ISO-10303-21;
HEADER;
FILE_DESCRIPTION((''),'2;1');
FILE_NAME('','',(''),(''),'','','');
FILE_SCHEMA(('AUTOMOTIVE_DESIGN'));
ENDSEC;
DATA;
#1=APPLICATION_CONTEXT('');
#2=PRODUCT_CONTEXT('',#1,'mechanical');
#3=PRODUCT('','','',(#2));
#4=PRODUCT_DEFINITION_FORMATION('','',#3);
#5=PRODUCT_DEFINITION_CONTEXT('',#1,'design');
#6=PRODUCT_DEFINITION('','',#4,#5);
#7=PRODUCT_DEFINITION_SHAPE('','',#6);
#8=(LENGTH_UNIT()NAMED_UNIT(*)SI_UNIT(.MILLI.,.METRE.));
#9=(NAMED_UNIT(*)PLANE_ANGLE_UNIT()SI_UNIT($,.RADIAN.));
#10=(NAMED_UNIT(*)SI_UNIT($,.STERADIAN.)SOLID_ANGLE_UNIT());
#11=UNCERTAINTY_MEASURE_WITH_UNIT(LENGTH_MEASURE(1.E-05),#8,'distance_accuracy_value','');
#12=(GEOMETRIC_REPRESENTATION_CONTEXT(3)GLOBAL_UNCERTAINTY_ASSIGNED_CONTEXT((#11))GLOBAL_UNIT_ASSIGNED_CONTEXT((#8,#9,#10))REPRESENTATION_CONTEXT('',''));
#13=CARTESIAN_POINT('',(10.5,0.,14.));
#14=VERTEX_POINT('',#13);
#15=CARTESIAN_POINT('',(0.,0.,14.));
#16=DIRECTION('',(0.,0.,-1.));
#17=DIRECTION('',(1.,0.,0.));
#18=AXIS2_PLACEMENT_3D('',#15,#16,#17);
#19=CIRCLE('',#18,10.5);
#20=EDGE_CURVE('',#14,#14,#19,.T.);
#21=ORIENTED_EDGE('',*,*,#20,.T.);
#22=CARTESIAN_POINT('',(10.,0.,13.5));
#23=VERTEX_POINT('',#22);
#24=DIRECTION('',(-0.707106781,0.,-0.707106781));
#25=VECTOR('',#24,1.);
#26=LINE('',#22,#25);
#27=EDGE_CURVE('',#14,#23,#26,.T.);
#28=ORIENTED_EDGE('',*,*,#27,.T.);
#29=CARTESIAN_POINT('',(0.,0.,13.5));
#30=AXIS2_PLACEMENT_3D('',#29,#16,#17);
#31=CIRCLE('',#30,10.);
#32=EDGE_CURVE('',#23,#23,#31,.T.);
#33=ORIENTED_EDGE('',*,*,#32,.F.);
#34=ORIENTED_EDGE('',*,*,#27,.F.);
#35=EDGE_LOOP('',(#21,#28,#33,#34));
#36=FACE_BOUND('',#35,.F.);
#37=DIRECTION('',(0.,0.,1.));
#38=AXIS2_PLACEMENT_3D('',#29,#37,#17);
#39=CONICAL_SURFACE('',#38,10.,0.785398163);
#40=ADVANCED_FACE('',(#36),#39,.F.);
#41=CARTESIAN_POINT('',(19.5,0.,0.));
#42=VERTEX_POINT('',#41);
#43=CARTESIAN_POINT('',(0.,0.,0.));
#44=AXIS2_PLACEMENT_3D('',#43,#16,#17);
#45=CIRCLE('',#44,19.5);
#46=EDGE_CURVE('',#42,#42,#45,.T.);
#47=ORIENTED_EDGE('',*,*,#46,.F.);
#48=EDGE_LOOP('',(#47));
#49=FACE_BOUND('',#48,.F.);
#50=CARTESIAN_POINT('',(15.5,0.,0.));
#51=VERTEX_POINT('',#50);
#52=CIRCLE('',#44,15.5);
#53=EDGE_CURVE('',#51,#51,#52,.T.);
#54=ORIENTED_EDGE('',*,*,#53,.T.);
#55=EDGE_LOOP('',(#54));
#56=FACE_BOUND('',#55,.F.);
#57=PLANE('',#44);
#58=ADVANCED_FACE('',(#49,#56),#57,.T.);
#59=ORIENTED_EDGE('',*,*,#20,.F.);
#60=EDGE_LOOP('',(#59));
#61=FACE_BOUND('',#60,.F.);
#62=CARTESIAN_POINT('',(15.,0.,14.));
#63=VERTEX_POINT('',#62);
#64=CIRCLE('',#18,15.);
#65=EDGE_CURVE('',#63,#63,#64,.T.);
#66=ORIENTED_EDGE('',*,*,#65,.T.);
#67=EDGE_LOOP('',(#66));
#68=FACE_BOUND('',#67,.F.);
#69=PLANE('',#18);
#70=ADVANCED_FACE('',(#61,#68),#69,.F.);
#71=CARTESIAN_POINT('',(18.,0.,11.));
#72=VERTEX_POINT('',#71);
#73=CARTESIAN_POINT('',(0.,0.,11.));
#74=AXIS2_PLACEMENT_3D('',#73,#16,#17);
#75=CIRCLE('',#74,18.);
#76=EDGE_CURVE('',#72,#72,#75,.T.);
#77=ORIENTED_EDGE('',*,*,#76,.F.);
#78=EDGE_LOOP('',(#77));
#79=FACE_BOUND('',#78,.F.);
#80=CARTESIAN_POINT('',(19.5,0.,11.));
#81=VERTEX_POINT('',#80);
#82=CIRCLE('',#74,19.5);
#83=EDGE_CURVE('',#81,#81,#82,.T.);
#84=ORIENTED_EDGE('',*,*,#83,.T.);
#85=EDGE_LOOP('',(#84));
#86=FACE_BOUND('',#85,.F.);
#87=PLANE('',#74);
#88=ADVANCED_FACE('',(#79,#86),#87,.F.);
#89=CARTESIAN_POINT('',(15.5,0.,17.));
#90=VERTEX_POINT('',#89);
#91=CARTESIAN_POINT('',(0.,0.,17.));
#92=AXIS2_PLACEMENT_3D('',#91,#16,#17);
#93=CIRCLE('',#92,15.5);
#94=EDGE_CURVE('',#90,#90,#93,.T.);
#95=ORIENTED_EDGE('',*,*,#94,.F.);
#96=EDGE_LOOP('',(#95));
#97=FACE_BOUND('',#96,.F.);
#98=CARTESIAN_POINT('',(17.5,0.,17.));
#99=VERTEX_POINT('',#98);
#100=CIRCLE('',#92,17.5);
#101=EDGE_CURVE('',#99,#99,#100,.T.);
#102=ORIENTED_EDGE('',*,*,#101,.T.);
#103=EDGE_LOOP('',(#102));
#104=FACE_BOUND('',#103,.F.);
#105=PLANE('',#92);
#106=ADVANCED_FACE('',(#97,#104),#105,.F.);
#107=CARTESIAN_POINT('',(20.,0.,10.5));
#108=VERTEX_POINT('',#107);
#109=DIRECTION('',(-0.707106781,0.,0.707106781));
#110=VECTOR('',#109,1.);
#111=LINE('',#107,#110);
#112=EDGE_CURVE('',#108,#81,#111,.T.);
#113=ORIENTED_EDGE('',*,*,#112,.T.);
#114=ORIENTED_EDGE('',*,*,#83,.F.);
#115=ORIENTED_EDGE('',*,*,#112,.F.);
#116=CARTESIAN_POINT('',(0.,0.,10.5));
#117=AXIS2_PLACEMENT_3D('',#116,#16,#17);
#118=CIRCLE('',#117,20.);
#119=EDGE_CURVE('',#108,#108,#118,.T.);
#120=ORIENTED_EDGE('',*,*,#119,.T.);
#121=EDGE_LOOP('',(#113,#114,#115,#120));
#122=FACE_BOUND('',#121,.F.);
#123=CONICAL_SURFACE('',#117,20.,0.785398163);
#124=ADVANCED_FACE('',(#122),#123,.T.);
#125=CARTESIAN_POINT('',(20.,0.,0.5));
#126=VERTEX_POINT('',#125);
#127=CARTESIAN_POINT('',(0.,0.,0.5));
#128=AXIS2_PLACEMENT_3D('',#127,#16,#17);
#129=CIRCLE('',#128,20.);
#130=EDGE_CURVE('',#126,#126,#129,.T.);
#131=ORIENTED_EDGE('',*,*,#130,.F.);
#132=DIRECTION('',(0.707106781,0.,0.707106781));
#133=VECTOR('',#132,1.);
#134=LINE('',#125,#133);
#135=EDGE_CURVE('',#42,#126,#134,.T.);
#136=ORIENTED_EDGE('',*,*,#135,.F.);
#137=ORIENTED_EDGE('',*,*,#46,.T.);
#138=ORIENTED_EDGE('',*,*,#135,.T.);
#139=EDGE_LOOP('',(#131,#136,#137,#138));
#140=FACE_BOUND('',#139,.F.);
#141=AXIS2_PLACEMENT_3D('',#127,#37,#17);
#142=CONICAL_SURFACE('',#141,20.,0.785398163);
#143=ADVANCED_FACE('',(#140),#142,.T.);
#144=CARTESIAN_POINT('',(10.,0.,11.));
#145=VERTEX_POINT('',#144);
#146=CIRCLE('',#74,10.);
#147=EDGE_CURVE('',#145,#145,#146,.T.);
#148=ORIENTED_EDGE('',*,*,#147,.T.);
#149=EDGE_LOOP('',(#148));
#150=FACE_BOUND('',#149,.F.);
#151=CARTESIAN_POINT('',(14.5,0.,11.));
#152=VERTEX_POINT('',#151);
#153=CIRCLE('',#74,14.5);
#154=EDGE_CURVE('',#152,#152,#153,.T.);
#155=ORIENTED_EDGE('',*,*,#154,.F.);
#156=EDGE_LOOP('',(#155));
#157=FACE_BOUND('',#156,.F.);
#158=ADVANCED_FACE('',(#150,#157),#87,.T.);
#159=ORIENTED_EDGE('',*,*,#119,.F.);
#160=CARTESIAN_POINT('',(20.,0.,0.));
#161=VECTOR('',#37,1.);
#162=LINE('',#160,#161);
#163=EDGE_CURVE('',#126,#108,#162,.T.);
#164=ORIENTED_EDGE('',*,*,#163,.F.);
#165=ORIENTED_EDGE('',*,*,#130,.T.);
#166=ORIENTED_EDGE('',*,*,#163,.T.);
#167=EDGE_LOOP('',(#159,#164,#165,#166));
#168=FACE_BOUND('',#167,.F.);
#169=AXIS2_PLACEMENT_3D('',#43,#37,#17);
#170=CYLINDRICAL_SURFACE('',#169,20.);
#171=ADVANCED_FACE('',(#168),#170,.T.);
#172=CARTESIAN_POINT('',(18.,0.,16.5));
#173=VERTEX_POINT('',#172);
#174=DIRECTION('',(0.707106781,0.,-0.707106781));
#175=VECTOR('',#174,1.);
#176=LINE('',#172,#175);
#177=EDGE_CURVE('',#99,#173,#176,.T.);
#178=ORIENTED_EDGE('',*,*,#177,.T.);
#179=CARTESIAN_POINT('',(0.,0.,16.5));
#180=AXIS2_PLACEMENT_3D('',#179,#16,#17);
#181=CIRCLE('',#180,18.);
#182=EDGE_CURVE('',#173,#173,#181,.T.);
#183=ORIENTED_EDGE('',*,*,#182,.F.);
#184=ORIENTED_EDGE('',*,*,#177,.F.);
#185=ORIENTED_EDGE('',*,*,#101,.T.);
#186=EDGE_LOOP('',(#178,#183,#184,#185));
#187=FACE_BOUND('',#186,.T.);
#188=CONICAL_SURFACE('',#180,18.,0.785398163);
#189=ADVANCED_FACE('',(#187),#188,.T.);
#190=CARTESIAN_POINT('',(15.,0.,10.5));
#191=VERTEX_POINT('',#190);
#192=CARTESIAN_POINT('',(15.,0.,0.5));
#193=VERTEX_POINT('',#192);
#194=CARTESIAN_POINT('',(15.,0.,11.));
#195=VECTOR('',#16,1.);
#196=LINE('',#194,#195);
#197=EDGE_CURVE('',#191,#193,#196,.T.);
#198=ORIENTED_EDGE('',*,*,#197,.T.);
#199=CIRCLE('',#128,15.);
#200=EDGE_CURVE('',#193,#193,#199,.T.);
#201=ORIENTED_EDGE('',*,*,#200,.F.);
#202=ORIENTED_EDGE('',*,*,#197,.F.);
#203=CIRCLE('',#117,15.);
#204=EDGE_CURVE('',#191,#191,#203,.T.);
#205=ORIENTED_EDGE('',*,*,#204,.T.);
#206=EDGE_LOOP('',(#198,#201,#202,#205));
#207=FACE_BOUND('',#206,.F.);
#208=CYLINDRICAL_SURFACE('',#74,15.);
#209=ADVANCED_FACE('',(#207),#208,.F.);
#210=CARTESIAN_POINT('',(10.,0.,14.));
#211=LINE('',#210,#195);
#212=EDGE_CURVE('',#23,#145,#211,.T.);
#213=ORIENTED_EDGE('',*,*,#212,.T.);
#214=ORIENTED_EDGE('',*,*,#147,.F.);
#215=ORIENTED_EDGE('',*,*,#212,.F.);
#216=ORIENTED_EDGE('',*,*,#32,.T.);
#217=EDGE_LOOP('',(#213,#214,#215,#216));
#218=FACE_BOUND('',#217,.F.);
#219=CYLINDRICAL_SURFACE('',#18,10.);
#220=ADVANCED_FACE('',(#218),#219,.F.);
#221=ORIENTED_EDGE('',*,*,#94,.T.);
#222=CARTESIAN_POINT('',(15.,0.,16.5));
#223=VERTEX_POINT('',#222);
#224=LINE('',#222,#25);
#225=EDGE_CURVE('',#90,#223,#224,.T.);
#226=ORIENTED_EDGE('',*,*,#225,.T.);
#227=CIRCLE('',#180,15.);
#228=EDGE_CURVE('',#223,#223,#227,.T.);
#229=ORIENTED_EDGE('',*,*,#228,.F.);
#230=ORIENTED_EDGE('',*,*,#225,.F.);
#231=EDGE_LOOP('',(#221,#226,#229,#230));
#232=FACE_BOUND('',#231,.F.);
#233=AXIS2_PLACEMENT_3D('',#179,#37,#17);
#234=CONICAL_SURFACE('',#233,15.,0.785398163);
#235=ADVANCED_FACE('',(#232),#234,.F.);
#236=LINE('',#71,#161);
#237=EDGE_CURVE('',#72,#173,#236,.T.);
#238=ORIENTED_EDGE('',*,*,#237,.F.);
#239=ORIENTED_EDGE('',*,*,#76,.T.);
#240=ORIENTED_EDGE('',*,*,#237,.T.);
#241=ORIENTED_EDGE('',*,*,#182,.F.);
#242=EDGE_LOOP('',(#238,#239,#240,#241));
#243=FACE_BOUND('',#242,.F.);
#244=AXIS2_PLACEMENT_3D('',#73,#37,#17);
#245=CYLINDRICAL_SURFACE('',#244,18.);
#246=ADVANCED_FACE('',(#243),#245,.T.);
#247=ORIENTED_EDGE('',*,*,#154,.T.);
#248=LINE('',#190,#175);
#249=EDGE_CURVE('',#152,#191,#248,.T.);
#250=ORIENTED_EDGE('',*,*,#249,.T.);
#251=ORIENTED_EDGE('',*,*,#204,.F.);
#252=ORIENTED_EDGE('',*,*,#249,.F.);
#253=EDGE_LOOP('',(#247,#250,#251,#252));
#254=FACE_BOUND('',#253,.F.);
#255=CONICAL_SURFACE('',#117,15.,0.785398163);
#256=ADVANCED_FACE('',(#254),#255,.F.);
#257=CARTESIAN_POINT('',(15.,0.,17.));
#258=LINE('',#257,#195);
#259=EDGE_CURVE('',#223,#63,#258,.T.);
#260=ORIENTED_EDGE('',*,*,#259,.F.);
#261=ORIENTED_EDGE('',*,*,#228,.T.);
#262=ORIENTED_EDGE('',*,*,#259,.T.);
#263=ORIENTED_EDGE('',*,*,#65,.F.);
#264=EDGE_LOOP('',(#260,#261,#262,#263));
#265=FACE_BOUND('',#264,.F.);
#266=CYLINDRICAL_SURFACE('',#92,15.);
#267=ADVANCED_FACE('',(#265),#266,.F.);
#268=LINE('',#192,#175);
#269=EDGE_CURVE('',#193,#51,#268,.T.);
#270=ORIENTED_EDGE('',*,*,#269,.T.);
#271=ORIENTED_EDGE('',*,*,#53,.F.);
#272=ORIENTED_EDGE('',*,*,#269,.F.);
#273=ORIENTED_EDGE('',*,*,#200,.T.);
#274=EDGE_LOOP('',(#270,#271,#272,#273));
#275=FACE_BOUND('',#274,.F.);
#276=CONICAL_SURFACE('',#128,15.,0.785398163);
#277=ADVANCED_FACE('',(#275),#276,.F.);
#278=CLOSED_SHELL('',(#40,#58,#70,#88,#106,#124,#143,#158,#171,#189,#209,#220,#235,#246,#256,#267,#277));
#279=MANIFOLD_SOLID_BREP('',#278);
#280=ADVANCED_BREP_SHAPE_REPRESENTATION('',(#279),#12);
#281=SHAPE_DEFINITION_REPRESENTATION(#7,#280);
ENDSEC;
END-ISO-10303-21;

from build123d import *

# Parameters (mm, degrees)
F2_SIZE2 = 0.5
F2_SIZE  = 0.5


with BuildPart() as f1:
    # F0 (on Front) → F1 (revolve)
    with BuildSketch(Plane.XZ):
        Polygon((18, 17), (15, 17), (15, 14), (10, 14), (10, 11), (15, 11), (15, 0), (20, 0), (20, 11), (18, 11), align=None)
    revolve(axis=Axis((0, 0, 8.282995), (0, 0, -1)))

    # F2
    f2_edges = [f1.edges().sort_by_distance(p)[0] for p in [
        (-15, 0, 17),
        (-10, 0, 14),
        (-15, 0, 11),
        (-15, 0, 0),
        (-20, 0, 11),
        (-18, 0, 17),
        (-20, 0, 0),
    ]]
    chamfer(f2_edges, length=F2_SIZE, length2=F2_SIZE2)


solid = f1.part
